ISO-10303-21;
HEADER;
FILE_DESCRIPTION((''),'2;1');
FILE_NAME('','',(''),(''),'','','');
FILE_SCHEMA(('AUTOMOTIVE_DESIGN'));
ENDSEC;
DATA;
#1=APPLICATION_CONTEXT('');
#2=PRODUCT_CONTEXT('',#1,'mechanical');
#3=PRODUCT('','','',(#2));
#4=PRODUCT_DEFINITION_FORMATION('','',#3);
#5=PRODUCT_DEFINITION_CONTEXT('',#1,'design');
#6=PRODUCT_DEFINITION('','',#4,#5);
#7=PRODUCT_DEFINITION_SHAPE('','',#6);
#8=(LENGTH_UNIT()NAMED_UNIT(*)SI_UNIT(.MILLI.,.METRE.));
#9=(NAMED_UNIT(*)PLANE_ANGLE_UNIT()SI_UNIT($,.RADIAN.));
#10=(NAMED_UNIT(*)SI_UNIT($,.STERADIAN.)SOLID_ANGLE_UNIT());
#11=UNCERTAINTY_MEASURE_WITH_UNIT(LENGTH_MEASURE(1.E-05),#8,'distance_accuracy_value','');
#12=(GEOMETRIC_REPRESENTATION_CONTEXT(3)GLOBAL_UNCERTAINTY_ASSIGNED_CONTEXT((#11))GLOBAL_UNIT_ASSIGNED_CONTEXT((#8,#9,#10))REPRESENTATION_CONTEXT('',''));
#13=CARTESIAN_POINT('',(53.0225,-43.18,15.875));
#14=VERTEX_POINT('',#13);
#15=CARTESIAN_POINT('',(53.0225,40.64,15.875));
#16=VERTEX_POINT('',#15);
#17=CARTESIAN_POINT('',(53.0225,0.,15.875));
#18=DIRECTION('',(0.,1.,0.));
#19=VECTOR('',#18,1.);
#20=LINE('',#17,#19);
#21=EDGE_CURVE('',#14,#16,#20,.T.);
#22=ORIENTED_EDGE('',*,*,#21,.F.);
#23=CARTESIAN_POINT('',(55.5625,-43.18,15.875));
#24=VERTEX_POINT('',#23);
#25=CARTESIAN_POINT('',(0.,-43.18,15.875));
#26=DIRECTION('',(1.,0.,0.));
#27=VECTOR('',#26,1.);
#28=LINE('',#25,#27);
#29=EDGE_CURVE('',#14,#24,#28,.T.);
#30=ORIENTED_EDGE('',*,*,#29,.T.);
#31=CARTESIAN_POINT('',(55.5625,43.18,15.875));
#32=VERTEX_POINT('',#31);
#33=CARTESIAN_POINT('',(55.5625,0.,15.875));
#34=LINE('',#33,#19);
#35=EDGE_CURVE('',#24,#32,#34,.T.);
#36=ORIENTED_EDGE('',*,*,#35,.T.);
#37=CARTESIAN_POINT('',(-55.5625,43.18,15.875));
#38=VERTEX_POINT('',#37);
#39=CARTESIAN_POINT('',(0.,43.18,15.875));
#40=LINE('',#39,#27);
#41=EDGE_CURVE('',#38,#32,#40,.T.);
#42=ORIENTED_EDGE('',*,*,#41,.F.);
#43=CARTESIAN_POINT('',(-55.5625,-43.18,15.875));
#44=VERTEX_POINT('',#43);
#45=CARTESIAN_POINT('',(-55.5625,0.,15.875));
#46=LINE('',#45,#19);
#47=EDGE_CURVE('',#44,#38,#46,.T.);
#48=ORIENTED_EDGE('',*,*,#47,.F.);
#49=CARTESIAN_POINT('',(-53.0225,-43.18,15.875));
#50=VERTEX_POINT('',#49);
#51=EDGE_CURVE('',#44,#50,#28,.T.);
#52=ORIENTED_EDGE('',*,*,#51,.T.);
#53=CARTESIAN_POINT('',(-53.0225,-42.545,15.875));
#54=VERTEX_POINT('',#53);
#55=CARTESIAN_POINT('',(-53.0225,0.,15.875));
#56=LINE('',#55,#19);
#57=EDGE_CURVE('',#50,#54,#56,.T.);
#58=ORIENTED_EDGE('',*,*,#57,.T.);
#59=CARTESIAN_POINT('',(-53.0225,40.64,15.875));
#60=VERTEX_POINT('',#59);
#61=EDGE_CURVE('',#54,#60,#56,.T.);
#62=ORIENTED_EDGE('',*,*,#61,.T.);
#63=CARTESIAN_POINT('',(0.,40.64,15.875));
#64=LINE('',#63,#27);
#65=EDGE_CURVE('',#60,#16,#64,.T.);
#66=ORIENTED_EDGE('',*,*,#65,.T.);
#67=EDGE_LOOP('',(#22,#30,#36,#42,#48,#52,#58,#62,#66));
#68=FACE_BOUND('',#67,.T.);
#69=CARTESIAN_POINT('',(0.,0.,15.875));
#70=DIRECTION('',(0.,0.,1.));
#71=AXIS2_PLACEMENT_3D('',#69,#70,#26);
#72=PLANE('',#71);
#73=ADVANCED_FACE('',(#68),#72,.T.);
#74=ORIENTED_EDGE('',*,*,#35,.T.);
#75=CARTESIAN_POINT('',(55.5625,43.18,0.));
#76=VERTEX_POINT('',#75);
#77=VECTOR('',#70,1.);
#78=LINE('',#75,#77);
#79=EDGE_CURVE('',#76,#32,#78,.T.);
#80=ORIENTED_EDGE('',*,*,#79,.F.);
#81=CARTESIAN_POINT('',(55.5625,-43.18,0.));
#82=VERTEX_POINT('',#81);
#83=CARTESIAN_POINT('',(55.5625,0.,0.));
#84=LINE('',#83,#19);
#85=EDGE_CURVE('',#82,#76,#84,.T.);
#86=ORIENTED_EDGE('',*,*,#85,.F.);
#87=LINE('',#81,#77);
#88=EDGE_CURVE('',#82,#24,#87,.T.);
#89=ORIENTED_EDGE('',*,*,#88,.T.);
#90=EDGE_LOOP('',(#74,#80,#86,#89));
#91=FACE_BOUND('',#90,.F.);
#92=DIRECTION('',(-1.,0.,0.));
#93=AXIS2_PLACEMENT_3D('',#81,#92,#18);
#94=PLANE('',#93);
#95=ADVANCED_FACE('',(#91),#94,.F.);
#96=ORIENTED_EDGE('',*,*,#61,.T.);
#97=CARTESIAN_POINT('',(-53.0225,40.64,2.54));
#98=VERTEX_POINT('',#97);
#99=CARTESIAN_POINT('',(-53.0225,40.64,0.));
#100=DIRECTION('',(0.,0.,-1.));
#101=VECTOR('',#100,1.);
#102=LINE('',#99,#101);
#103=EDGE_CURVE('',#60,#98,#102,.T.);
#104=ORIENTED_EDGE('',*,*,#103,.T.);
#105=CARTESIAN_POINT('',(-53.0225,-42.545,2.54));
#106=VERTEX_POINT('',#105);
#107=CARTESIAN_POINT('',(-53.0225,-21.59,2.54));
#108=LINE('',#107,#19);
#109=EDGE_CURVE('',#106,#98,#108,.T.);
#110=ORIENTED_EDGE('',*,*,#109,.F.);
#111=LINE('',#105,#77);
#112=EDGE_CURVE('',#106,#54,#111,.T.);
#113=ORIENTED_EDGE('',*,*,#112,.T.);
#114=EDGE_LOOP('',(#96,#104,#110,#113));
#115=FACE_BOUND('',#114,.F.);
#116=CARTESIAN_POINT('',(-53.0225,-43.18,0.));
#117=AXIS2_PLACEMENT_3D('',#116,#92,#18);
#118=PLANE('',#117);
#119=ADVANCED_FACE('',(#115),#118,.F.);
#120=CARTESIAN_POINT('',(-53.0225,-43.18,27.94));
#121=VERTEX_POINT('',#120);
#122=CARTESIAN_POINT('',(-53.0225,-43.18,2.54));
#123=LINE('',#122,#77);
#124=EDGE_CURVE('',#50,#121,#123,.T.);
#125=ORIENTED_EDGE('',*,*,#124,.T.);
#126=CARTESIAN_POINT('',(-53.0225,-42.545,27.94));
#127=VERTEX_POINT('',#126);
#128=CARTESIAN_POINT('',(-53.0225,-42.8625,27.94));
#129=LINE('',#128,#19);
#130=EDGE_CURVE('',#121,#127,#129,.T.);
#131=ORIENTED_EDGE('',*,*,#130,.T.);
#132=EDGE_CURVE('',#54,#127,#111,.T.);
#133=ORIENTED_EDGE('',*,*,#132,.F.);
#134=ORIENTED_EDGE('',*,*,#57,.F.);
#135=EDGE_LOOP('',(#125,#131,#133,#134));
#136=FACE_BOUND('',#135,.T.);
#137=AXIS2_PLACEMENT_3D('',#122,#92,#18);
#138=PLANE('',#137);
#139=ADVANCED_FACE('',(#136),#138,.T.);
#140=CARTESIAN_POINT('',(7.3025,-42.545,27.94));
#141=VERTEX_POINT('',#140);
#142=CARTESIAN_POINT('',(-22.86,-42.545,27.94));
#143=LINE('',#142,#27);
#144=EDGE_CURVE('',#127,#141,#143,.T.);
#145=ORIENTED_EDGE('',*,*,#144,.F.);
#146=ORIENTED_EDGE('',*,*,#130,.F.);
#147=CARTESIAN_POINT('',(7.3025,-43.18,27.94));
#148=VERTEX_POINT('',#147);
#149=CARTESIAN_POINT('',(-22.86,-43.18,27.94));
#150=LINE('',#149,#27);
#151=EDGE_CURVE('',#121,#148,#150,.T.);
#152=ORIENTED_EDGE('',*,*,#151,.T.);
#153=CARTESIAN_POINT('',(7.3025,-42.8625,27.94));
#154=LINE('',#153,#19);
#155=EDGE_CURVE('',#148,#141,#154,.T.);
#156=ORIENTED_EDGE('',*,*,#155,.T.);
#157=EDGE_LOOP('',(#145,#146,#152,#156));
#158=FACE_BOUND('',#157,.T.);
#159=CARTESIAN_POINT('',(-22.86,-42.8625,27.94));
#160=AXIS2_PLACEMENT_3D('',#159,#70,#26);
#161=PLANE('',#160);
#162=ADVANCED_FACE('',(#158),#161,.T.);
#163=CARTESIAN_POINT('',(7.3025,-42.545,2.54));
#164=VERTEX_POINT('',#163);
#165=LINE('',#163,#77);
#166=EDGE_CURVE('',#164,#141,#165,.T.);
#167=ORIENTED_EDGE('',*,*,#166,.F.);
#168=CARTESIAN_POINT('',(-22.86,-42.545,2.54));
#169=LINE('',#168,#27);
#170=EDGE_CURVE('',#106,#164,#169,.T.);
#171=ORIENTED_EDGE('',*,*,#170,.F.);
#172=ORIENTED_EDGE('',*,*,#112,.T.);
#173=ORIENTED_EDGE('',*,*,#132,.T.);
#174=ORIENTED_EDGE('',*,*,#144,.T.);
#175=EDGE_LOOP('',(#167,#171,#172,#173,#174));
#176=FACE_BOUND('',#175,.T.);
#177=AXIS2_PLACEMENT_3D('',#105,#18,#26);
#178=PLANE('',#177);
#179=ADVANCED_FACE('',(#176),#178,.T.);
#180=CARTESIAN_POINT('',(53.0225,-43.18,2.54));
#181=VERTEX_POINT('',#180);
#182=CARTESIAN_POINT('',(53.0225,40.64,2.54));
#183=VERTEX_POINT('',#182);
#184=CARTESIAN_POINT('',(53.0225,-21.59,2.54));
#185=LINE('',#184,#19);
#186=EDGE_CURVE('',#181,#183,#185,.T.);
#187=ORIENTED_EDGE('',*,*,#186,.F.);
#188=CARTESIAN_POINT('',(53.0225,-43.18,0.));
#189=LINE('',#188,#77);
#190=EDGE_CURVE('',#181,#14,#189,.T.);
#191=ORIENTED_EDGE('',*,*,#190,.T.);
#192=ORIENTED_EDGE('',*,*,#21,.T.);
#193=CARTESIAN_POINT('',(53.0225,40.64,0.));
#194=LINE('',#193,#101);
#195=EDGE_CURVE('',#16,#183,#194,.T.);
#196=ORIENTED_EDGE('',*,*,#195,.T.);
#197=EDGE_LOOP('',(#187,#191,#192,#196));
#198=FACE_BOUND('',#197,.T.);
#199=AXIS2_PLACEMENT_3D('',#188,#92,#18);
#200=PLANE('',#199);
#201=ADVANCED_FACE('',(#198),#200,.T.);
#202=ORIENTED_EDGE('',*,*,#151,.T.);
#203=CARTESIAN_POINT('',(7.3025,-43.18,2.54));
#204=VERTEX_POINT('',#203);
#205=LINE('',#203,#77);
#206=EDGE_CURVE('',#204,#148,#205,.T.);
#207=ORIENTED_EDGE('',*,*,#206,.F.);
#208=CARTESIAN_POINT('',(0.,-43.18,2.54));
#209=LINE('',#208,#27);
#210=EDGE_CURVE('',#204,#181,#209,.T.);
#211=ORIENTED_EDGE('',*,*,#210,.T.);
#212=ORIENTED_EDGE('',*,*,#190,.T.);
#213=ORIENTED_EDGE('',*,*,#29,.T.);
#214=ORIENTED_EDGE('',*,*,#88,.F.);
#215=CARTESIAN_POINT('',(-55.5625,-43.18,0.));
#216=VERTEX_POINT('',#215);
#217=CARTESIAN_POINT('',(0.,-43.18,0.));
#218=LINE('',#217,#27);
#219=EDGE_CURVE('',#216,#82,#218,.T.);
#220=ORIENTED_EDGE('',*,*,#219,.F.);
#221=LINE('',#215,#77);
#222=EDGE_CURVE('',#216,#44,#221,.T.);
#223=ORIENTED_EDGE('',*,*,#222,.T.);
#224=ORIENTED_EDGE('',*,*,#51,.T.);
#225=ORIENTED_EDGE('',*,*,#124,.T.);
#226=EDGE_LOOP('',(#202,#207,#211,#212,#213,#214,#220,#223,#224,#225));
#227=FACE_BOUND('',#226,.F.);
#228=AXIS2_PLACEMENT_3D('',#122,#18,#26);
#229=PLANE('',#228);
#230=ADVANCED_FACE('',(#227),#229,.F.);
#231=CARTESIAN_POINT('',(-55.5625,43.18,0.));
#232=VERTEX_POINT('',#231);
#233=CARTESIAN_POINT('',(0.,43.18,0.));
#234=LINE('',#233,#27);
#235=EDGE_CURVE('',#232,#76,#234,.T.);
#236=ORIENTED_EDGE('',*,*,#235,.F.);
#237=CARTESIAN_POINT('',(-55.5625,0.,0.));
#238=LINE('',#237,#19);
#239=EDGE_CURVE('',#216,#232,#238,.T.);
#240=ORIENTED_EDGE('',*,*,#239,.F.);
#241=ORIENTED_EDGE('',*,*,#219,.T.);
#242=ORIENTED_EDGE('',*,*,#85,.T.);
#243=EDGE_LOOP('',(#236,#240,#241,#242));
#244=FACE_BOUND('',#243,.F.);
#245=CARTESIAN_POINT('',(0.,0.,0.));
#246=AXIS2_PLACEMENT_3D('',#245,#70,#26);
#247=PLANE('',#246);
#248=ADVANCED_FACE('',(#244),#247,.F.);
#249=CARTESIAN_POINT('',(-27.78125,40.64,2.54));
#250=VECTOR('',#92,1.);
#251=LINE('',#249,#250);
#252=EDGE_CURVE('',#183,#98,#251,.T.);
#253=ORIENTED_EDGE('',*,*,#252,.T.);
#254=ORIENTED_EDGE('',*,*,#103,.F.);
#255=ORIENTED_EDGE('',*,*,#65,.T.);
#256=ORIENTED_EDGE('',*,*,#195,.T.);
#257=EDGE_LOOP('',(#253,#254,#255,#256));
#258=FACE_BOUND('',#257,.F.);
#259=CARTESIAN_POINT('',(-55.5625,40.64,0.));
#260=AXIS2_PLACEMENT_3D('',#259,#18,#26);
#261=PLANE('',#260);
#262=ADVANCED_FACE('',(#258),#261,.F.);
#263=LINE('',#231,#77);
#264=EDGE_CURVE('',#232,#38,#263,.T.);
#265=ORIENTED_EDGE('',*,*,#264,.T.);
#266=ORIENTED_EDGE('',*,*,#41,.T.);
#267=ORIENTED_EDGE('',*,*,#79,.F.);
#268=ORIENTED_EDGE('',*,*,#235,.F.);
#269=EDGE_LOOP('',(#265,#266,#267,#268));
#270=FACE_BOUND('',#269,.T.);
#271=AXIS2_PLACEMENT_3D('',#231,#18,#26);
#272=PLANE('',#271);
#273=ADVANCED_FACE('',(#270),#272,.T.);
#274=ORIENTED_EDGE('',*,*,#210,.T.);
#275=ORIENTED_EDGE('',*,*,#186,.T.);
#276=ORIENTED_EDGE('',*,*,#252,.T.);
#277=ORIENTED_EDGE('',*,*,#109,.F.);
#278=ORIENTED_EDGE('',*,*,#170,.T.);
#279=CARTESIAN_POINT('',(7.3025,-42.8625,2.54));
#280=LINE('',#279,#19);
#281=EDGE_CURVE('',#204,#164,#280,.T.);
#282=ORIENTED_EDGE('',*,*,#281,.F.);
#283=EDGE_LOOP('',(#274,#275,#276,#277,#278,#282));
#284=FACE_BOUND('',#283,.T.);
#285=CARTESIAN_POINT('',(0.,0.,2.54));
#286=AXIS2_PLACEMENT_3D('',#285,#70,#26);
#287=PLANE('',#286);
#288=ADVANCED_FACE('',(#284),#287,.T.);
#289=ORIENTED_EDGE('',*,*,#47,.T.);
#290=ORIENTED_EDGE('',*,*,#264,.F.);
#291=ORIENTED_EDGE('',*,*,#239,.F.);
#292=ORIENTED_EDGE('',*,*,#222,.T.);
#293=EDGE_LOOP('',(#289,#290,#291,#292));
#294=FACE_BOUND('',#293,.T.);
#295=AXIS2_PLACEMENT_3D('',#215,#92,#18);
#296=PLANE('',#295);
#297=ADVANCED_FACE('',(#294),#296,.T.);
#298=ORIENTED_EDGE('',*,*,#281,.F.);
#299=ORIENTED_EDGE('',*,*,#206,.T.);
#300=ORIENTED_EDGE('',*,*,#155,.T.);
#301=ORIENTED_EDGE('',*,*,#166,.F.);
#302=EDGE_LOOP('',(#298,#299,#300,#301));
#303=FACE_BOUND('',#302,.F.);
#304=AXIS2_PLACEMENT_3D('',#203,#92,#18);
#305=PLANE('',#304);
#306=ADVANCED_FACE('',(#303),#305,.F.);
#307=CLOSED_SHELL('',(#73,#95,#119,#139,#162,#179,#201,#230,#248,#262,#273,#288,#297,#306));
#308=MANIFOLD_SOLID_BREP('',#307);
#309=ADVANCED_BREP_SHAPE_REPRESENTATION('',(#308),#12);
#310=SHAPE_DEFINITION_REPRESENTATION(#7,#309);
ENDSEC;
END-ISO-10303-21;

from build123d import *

# Parameters (mm, degrees)
F0_W     = 111.125
F0_H     = 86.36
F1_DEPTH = 15.875
F2_T     = -2.54
F3_W     = 60.325
F3_H     = 0.635
F4_DEPTH = 25.4


with BuildPart() as f1:
    # F0 (on Top) → F1 (new body)
    with BuildSketch(Plane.XY):
        Rectangle(F0_W, F0_H)
    extrude(amount=F1_DEPTH)

    # F2
    f2_openings = [f1.faces().sort_by_distance(p)[0] for p in [
        (0, 0, 15.875),
        (0, -43.18, 7.9375),
    ]]
    offset(amount=F2_T, openings=f2_openings)

    # F3 (on face) → F4 (join)
    with BuildSketch(Plane.XY.offset(2.54)):
        with Locations((-22.86, -42.8625)):
            Rectangle(F3_W, F3_H)
    extrude(amount=F4_DEPTH)


solid = f1.part
